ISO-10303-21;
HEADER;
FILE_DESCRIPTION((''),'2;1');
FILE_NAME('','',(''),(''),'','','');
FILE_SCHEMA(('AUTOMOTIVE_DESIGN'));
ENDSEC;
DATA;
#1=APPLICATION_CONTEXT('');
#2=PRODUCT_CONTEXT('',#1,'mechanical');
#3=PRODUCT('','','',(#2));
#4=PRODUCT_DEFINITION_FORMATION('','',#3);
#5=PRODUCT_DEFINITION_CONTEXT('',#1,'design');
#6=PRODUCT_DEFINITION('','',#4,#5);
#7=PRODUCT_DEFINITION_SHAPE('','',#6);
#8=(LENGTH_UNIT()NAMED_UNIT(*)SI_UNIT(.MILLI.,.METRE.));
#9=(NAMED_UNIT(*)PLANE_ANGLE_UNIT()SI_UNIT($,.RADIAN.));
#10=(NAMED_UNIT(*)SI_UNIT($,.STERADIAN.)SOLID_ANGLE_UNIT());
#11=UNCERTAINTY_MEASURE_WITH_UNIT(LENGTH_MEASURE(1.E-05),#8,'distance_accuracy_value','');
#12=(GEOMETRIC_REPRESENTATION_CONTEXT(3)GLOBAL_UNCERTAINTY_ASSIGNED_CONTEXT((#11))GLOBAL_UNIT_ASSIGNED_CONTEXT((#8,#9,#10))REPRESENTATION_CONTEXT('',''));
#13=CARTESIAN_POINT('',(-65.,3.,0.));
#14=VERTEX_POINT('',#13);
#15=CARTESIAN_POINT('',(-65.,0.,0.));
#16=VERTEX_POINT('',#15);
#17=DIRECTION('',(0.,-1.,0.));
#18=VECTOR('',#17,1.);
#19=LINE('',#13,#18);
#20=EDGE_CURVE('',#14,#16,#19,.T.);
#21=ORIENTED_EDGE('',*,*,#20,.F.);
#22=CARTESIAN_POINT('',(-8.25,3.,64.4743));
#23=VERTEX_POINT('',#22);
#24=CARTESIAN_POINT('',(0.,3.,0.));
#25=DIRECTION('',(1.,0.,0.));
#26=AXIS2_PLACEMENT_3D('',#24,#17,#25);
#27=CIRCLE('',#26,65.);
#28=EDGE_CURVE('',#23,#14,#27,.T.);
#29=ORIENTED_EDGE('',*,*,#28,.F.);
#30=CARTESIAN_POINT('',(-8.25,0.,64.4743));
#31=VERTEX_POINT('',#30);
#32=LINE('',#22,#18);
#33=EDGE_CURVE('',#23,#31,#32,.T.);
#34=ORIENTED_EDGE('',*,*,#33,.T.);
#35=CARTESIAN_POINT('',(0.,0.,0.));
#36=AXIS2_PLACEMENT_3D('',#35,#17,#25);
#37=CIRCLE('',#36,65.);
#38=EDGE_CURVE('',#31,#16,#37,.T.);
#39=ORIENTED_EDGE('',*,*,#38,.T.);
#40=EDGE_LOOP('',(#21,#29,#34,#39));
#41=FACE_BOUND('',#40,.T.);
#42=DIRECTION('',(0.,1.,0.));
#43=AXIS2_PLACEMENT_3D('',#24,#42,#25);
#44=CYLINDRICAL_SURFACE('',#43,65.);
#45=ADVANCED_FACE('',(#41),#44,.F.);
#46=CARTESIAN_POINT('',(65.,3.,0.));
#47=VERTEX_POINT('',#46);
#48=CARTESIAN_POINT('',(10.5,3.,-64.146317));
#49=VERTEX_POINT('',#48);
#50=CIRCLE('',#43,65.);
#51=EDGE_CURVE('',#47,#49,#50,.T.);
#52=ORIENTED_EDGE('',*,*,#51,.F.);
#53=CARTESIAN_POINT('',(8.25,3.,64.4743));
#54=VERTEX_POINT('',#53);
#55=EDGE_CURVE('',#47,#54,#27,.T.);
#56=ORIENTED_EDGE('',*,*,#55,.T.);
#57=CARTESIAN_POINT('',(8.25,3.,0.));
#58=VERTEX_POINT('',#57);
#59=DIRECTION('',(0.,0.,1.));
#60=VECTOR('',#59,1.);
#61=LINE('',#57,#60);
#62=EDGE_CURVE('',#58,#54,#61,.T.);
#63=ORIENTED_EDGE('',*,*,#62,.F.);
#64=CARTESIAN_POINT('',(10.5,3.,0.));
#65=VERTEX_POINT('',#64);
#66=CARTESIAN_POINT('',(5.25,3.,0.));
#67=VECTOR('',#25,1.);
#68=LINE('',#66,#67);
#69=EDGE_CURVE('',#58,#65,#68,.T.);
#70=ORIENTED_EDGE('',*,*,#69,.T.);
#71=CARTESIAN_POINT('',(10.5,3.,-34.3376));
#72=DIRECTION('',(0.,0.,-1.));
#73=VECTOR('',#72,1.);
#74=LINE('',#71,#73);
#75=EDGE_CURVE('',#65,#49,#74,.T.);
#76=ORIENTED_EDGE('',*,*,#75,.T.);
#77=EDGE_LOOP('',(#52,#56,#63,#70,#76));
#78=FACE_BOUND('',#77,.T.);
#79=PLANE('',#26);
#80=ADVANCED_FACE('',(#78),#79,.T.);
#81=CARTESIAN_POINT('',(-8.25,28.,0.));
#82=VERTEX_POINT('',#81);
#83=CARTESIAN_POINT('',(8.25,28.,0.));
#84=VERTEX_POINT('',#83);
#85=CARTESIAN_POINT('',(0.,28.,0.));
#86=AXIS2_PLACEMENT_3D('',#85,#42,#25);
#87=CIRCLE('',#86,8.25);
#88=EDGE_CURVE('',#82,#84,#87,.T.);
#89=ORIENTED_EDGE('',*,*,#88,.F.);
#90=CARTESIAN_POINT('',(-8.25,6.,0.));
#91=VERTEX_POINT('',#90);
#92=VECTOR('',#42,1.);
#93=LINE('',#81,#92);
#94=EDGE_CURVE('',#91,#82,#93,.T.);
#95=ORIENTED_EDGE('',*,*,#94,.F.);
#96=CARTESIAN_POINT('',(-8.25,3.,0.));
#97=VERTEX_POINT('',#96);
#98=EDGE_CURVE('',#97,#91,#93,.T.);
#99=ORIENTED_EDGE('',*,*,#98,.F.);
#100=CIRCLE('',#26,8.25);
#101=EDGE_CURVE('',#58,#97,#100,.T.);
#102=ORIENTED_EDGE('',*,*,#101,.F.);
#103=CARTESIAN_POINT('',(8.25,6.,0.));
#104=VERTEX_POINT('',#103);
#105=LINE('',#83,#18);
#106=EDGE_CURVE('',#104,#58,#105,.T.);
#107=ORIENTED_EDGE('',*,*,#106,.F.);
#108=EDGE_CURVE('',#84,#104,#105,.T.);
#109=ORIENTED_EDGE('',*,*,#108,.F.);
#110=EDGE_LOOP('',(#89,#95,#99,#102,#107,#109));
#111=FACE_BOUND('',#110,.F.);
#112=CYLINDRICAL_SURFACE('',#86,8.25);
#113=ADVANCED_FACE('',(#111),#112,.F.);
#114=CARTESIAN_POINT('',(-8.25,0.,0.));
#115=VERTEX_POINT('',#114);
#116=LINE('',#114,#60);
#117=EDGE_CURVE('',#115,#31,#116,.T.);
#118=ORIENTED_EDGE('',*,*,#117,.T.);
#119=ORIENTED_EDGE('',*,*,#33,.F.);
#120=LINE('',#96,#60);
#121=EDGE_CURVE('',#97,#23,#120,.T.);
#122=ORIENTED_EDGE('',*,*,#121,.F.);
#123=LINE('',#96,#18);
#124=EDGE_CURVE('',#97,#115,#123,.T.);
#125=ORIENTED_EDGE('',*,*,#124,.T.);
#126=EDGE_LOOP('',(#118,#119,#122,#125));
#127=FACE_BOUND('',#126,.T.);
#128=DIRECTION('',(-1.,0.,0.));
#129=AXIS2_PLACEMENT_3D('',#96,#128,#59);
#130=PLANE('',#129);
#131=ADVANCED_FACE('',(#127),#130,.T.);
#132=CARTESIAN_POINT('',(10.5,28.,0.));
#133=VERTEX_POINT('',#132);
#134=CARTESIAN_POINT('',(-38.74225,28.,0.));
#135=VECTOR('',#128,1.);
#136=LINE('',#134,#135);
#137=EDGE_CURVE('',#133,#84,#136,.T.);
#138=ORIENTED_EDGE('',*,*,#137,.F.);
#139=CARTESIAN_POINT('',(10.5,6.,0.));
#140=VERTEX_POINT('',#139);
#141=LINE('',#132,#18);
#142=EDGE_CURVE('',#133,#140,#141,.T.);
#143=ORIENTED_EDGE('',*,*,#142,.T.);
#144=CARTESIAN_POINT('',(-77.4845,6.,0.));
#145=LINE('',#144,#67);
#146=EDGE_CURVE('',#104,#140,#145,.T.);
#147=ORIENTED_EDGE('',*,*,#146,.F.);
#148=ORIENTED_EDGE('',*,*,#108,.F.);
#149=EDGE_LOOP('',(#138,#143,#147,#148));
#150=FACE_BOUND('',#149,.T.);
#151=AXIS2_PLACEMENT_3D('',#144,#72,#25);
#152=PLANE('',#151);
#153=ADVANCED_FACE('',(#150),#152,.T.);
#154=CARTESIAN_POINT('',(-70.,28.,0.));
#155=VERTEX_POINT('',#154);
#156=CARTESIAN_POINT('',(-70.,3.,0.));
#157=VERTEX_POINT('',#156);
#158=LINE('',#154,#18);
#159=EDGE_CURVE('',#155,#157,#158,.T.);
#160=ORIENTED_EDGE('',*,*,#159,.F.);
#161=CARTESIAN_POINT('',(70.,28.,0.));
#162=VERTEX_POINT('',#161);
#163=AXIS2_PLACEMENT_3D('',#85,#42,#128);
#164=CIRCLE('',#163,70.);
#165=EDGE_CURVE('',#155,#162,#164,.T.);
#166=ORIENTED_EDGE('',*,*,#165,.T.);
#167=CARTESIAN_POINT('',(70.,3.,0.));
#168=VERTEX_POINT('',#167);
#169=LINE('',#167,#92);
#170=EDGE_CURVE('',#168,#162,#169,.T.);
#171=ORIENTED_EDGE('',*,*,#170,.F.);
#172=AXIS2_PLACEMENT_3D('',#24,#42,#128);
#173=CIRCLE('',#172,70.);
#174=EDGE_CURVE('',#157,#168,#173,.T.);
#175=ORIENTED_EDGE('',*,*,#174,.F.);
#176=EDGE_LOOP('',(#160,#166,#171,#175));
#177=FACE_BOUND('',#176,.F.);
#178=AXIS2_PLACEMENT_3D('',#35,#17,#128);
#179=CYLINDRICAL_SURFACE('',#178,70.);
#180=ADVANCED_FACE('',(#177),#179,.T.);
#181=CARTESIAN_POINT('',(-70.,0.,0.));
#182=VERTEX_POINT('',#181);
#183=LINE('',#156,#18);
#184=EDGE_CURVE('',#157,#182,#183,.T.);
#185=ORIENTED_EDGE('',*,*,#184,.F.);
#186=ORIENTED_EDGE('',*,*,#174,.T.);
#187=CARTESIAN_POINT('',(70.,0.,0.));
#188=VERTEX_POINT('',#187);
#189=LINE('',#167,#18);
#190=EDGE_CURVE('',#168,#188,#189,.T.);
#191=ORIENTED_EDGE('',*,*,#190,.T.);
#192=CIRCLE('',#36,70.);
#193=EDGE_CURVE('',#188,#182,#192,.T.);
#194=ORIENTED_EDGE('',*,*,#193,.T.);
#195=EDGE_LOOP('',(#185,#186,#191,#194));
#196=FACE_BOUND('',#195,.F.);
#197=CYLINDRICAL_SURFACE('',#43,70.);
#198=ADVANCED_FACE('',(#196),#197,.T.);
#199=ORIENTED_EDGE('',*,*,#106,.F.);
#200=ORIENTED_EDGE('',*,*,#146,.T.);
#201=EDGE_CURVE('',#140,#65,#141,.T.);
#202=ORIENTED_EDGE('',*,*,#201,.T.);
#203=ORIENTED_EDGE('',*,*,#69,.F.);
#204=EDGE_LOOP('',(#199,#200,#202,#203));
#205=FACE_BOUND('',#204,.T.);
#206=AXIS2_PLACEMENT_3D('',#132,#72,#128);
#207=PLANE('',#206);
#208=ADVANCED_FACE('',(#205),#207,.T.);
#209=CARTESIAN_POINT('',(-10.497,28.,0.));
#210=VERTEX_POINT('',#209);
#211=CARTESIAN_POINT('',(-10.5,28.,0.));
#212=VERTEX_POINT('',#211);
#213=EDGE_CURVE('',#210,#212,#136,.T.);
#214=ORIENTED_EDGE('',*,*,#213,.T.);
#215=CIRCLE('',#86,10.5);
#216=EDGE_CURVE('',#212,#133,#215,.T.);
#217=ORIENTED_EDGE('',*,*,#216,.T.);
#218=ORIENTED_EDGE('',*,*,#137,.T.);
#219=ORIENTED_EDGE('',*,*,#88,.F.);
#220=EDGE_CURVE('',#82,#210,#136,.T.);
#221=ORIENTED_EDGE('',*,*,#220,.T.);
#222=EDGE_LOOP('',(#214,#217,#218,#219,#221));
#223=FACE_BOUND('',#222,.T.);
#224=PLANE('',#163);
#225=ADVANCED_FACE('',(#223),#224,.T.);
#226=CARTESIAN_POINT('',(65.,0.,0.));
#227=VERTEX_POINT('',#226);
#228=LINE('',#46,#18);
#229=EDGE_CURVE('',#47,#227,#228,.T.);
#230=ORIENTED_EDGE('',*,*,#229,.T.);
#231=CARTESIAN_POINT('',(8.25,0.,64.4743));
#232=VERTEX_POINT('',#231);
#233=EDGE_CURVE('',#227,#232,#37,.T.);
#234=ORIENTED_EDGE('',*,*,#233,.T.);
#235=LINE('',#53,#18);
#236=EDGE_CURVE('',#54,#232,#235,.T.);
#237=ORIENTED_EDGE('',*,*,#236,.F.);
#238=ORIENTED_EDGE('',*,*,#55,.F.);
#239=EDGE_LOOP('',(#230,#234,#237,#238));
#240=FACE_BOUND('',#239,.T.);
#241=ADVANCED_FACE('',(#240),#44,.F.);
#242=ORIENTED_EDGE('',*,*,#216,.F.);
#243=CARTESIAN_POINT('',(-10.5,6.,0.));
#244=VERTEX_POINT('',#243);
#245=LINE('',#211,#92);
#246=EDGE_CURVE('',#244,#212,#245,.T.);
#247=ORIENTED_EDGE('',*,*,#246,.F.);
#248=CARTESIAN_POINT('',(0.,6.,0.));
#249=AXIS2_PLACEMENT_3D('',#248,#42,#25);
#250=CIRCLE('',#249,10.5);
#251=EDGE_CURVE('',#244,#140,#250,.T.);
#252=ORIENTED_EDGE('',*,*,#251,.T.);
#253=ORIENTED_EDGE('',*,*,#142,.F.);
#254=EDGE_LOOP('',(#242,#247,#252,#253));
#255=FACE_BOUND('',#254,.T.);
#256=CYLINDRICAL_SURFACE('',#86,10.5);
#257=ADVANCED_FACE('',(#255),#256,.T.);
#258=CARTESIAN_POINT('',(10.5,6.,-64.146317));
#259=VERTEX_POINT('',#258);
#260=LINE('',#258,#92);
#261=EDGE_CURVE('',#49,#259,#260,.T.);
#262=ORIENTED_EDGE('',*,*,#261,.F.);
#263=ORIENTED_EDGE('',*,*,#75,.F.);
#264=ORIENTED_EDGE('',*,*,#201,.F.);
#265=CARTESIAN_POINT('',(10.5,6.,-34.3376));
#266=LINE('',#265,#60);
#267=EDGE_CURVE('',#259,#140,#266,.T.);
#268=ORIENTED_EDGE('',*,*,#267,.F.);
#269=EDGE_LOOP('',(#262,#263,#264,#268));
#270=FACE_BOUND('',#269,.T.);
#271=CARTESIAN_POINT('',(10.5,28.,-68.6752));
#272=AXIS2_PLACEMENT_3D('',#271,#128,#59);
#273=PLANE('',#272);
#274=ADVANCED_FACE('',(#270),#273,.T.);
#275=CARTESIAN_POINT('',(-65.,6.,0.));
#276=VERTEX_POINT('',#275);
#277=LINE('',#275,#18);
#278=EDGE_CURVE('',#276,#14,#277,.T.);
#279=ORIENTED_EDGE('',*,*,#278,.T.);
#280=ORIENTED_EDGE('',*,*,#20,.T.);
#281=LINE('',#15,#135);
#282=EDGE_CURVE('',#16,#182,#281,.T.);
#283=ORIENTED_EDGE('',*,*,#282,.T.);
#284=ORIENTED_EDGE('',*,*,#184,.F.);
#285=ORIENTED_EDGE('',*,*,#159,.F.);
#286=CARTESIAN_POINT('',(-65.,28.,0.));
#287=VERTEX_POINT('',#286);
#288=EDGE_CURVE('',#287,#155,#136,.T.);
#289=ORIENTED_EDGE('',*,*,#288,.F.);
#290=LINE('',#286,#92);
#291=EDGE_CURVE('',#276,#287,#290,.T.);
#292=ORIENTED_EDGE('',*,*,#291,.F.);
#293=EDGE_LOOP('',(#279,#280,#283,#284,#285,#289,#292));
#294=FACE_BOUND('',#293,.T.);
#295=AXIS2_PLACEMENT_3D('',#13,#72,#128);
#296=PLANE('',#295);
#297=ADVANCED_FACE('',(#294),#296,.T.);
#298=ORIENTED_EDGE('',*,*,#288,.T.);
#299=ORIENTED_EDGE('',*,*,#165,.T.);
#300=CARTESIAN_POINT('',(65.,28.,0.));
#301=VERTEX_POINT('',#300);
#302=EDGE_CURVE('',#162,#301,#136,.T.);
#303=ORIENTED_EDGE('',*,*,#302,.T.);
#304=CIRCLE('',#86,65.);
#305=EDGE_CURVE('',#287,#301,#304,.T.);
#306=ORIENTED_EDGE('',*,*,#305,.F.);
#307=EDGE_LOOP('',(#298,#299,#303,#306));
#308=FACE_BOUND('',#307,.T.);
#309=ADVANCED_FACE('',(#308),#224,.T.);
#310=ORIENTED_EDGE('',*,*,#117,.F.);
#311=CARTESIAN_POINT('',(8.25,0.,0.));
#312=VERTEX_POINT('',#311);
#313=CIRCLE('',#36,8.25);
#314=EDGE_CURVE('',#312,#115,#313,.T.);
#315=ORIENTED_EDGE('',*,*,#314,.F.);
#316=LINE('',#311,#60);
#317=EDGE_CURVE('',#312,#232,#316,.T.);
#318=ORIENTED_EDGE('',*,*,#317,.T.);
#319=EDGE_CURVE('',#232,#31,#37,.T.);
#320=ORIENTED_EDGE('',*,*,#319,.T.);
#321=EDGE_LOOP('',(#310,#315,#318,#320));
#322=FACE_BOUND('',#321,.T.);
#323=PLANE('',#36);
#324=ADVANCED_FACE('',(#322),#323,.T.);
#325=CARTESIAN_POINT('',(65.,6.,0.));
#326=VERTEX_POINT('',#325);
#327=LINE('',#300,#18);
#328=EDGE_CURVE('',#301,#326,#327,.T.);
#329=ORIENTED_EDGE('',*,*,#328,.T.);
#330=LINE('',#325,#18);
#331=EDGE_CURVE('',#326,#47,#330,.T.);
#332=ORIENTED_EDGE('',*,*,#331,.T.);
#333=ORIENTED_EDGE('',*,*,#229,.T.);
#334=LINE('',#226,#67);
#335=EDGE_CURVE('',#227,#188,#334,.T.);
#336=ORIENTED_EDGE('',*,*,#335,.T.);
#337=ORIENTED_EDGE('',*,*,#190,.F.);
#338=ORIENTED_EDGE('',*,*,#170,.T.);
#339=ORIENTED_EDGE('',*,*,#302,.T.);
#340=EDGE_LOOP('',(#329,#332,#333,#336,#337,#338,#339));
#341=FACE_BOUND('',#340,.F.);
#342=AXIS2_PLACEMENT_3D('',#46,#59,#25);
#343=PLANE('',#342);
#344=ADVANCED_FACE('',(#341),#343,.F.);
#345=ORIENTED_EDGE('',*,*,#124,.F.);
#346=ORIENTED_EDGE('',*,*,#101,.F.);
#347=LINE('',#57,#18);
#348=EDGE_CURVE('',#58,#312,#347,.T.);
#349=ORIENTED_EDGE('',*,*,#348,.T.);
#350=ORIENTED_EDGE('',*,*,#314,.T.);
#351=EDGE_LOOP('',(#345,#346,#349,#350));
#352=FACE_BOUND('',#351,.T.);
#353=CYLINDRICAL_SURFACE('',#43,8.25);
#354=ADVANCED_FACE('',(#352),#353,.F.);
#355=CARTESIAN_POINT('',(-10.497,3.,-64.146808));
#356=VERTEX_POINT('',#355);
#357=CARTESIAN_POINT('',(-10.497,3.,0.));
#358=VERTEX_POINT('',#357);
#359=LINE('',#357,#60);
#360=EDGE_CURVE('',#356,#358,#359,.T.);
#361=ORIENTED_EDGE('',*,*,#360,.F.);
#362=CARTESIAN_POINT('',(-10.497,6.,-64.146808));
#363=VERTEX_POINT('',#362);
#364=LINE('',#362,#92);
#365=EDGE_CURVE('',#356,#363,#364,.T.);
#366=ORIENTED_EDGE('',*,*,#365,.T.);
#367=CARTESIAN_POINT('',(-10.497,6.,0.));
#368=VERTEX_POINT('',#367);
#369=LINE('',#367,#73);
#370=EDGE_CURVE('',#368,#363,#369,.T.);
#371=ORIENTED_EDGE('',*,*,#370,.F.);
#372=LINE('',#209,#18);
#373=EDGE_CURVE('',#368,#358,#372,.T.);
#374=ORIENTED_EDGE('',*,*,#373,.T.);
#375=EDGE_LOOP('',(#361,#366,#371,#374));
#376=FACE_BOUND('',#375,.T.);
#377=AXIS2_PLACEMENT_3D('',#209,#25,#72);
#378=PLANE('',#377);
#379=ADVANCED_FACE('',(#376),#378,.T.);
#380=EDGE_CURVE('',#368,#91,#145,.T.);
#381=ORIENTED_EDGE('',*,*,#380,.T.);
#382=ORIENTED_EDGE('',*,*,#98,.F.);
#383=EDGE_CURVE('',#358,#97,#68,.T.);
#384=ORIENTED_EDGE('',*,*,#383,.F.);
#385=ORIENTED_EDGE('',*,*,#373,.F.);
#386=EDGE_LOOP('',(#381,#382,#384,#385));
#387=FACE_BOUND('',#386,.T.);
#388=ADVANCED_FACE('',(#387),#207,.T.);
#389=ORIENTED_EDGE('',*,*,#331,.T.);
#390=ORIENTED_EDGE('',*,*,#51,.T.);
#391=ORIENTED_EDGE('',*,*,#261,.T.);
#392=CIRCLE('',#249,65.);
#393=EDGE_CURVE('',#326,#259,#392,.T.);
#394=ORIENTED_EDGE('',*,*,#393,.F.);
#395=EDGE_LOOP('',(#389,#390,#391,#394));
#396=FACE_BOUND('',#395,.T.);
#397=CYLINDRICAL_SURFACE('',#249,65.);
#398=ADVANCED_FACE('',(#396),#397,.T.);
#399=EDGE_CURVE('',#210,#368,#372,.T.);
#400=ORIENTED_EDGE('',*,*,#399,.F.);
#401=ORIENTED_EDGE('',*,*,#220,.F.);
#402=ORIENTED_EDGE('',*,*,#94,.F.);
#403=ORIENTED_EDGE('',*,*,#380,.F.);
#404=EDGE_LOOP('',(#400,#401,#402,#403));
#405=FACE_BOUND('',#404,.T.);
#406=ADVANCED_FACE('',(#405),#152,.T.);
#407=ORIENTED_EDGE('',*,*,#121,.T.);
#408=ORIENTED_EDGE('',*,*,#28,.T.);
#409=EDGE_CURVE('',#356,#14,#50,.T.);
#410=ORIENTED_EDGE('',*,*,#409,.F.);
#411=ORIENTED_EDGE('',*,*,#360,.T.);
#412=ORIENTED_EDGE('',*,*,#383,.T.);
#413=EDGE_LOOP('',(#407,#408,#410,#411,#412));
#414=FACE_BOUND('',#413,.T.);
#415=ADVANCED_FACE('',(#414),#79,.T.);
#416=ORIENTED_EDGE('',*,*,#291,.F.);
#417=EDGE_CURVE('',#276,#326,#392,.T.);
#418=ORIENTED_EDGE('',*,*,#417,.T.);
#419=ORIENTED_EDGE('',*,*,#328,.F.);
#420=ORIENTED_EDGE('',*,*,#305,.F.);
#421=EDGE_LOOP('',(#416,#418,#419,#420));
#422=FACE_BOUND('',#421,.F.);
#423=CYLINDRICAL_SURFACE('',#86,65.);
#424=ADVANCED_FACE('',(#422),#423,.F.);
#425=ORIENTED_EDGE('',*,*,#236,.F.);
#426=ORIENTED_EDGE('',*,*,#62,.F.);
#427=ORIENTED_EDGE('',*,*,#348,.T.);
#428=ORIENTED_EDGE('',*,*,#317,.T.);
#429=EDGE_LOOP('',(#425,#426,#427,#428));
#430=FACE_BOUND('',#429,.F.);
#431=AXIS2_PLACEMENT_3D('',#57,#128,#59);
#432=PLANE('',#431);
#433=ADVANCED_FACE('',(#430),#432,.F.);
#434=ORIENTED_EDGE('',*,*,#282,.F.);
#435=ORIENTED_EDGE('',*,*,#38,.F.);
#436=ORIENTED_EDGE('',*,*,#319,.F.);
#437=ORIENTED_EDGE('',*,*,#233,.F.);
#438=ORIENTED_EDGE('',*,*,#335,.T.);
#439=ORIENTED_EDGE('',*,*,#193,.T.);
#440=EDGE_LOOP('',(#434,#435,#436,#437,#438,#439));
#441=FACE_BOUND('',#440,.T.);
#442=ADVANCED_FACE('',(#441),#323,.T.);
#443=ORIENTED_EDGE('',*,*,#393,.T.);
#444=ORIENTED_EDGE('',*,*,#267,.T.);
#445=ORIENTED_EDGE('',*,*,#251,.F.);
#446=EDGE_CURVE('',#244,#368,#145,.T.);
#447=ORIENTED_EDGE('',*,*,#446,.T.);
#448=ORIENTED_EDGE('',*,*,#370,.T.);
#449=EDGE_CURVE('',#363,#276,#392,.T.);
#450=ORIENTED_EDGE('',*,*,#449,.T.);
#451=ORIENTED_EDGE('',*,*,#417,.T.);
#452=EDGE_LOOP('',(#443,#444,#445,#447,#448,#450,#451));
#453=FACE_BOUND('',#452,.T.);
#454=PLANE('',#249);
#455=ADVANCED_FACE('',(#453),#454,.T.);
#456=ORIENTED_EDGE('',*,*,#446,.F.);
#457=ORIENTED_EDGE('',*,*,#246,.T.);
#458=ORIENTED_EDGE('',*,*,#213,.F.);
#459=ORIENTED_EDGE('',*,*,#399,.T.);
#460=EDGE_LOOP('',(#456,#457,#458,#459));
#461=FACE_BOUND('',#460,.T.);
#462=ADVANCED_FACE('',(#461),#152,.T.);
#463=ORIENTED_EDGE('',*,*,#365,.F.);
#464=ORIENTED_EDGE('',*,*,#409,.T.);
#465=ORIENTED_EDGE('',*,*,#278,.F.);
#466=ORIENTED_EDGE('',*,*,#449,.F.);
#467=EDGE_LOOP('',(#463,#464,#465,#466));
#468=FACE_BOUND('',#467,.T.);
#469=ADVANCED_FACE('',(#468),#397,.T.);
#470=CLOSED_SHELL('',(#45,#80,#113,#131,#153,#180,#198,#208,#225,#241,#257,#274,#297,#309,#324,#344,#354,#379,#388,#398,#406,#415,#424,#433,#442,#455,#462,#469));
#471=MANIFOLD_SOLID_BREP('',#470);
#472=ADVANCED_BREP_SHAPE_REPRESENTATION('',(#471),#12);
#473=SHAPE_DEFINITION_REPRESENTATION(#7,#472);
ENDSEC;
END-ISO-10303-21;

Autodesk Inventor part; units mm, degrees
ref_plane "YZ Plane" through (0, 0, 0) normal (1, 0, 0) x (0, 1, 0)
ref_plane "XZ Plane" through (0, 0, 0) normal (0, 1, 0) x (-1, 0, 0)
ref_plane "XY Plane" through (0, 0, 0) normal (0, 0, 1) x (1, 0, 0)
sketch "Sketch1" plane through (0, 0, 0) normal (0, 1, 0) x (-1, 0, 0)
  circle A0 centre (0, 0) radius 70
  dimension "d0" = 140
extrude "Extrusion1" add sketch "Sketch1" along normal blind 28
sketch "Sketch2" plane through (0, 28, 0) normal (0, 1, 0) x (1, 0, 0)
  circle A0 centre (0, 0) radius 8.25
  dimension "d3" = 16.5
extrude "Extrusion2" cut sketch "Sketch2" against normal blind 280
sketch "Sketch3" plane through (0, 28, 0) normal (0, 1, 0) x (1, 0, 0)
  circle A0 centre (0, 0) radius 8.25 projected
  circle A1 centre (0, 0) radius 65
  circle A2 centre (0, 0) radius 10.5
  dimension "d6" = 130
  dimension "d7" = 21
extrude "Extrusion3" cut sketch "Sketch3" against normal blind 22 contours A1
sketch "Sketch4" plane through (0, 6, 0) normal (0, 1, 0) x (1, 0, 0)
  line L0 (-77.4845, 0) -> (88.5537, 0)
  line L1 (88.5537, 0) -> (88.5537, 100.8261)
  line L2 (88.5537, 100.8261) -> (-77.4845, 100.8261)
  line L3 (-77.4845, 100.8261) -> (-77.4845, 0)
  point P0 (0, 0)
extrude "Extrusion4" cut sketch "Sketch4" along normal blind 220
sketch "Sketch5" plane through (0, 0, 0) normal (0, -1, 0) x (1, 0, 0)
  circle A0 centre (0, 0) radius 8.25 projected
  circle A1 centre (0, 0) radius 70
extrude "Extrusion5" cut sketch "Sketch5" against normal blind 3
sketch "Sketch6" plane through (0, 6, 0) normal (0, 1, 0) x (1, 0, 0)
  arc A0 (-65, 0) -> (65, 0) centre (0, 0) ccw projected
  line L0 (65, 0) -> (70, 0) projected
  arc A1 (70, 0) -> (-70, 0) centre (0, 0) ccw projected
  line L1 (-70, 0) -> (-65, 0) projected
  arc A2 (-10.5, 0) -> (10.5, 0) centre (0, 0) ccw projected
  line L2 (-10.5, 0) -> (-8.25, 0) projected
  arc A3 (8.25, 0) -> (-8.25, 0) centre (0, 0) ccw projected
  line L3 (8.25, 0) -> (10.5, 0) projected
  circle A4 centre (0, 0) radius 8.25 projected
  arc A5 (65, 0) -> (-65, 0) centre (0, 0) ccw
  line L4 (-65, 0) -> (-70, 0)
  line L5 (65, 0) -> (70, 0)
  arc A6 (70, 0) -> (-70, 0) centre (0, 0) ccw projected
  arc A7 (70, 0) -> (70, 0) centre (0, 0) ccw
extrude "Extrusion6" cut sketch "Sketch6" against normal blind 3 contours L1 A1 L0 A5
sketch "Sketch7" plane through (0, 3, 0) normal (0, -1, 0) x (1, 0, 0)
  point P0 (0, 0)
sketch "Sketch8" plane through (0, 3, 0) normal (0, -1, 0) x (1, 0, 0)
  arc A0 (65, 0) -> (-65, 0) centre (0, 0) ccw projected
  arc A1 (70, 0) -> (-70, 0) centre (0, 0) ccw projected
  arc A2 (70, 0) -> (-70, 0) centre (0, 0) ccw
  arc A3 (65, 0) -> (-65, 0) centre (0, 0) ccw
  line L0 (65, 0) -> (70, 0) projected
  line L1 (70, 0) -> (65, 0)
  line L2 (-65, 0) -> (-70, 0) projected
  line L3 (-65, 0) -> (-70, 0)
extrude "Extrusion7" add sketch "Sketch8" along normal blind 3
sketch "Sketch9" plane through (0, 28, 0) normal (0, 1, 0) x (1, 0, 0)
  line L0 (10.5, 0) -> (-10.497, 0)
  line L1 (-10.497, 0) -> (-10.497, 68.6752)
  line L2 (-10.497, 68.6752) -> (10.5, 68.6752)
  line L3 (10.5, 68.6752) -> (10.5, 0)
  point P0 (0, 0)
extrude "Extrusion8" cut sketch "Sketch9" against normal blind 30
sketch "Sketch10" plane through (0, 3, 0) normal (0, -1, 0) x (1, 0, 0)
  arc A0 (8.25, 0) -> (-8.25, 0) centre (0, 0) ccw projected
  arc A1 (8.25, 0) -> (-8.25, 0) centre (0, 0) ccw
  line L0 (8.25, 0) -> (8.25, 64.4743)
  arc A2 (65, 0) -> (-65, 0) centre (0, 0) ccw projected
  line L1 (-8.25, 0) -> (-8.25, 64.4743)
  arc A3 (8.25, 64.4743) -> (-8.25, 64.4743) centre (0, 0) ccw
  point P0 (8.2498, 0.0514)
extrude "Extrusion9" add sketch "Sketch10" along normal blind 3
properties part number "casept1" material "PC/ABS Plastic"
